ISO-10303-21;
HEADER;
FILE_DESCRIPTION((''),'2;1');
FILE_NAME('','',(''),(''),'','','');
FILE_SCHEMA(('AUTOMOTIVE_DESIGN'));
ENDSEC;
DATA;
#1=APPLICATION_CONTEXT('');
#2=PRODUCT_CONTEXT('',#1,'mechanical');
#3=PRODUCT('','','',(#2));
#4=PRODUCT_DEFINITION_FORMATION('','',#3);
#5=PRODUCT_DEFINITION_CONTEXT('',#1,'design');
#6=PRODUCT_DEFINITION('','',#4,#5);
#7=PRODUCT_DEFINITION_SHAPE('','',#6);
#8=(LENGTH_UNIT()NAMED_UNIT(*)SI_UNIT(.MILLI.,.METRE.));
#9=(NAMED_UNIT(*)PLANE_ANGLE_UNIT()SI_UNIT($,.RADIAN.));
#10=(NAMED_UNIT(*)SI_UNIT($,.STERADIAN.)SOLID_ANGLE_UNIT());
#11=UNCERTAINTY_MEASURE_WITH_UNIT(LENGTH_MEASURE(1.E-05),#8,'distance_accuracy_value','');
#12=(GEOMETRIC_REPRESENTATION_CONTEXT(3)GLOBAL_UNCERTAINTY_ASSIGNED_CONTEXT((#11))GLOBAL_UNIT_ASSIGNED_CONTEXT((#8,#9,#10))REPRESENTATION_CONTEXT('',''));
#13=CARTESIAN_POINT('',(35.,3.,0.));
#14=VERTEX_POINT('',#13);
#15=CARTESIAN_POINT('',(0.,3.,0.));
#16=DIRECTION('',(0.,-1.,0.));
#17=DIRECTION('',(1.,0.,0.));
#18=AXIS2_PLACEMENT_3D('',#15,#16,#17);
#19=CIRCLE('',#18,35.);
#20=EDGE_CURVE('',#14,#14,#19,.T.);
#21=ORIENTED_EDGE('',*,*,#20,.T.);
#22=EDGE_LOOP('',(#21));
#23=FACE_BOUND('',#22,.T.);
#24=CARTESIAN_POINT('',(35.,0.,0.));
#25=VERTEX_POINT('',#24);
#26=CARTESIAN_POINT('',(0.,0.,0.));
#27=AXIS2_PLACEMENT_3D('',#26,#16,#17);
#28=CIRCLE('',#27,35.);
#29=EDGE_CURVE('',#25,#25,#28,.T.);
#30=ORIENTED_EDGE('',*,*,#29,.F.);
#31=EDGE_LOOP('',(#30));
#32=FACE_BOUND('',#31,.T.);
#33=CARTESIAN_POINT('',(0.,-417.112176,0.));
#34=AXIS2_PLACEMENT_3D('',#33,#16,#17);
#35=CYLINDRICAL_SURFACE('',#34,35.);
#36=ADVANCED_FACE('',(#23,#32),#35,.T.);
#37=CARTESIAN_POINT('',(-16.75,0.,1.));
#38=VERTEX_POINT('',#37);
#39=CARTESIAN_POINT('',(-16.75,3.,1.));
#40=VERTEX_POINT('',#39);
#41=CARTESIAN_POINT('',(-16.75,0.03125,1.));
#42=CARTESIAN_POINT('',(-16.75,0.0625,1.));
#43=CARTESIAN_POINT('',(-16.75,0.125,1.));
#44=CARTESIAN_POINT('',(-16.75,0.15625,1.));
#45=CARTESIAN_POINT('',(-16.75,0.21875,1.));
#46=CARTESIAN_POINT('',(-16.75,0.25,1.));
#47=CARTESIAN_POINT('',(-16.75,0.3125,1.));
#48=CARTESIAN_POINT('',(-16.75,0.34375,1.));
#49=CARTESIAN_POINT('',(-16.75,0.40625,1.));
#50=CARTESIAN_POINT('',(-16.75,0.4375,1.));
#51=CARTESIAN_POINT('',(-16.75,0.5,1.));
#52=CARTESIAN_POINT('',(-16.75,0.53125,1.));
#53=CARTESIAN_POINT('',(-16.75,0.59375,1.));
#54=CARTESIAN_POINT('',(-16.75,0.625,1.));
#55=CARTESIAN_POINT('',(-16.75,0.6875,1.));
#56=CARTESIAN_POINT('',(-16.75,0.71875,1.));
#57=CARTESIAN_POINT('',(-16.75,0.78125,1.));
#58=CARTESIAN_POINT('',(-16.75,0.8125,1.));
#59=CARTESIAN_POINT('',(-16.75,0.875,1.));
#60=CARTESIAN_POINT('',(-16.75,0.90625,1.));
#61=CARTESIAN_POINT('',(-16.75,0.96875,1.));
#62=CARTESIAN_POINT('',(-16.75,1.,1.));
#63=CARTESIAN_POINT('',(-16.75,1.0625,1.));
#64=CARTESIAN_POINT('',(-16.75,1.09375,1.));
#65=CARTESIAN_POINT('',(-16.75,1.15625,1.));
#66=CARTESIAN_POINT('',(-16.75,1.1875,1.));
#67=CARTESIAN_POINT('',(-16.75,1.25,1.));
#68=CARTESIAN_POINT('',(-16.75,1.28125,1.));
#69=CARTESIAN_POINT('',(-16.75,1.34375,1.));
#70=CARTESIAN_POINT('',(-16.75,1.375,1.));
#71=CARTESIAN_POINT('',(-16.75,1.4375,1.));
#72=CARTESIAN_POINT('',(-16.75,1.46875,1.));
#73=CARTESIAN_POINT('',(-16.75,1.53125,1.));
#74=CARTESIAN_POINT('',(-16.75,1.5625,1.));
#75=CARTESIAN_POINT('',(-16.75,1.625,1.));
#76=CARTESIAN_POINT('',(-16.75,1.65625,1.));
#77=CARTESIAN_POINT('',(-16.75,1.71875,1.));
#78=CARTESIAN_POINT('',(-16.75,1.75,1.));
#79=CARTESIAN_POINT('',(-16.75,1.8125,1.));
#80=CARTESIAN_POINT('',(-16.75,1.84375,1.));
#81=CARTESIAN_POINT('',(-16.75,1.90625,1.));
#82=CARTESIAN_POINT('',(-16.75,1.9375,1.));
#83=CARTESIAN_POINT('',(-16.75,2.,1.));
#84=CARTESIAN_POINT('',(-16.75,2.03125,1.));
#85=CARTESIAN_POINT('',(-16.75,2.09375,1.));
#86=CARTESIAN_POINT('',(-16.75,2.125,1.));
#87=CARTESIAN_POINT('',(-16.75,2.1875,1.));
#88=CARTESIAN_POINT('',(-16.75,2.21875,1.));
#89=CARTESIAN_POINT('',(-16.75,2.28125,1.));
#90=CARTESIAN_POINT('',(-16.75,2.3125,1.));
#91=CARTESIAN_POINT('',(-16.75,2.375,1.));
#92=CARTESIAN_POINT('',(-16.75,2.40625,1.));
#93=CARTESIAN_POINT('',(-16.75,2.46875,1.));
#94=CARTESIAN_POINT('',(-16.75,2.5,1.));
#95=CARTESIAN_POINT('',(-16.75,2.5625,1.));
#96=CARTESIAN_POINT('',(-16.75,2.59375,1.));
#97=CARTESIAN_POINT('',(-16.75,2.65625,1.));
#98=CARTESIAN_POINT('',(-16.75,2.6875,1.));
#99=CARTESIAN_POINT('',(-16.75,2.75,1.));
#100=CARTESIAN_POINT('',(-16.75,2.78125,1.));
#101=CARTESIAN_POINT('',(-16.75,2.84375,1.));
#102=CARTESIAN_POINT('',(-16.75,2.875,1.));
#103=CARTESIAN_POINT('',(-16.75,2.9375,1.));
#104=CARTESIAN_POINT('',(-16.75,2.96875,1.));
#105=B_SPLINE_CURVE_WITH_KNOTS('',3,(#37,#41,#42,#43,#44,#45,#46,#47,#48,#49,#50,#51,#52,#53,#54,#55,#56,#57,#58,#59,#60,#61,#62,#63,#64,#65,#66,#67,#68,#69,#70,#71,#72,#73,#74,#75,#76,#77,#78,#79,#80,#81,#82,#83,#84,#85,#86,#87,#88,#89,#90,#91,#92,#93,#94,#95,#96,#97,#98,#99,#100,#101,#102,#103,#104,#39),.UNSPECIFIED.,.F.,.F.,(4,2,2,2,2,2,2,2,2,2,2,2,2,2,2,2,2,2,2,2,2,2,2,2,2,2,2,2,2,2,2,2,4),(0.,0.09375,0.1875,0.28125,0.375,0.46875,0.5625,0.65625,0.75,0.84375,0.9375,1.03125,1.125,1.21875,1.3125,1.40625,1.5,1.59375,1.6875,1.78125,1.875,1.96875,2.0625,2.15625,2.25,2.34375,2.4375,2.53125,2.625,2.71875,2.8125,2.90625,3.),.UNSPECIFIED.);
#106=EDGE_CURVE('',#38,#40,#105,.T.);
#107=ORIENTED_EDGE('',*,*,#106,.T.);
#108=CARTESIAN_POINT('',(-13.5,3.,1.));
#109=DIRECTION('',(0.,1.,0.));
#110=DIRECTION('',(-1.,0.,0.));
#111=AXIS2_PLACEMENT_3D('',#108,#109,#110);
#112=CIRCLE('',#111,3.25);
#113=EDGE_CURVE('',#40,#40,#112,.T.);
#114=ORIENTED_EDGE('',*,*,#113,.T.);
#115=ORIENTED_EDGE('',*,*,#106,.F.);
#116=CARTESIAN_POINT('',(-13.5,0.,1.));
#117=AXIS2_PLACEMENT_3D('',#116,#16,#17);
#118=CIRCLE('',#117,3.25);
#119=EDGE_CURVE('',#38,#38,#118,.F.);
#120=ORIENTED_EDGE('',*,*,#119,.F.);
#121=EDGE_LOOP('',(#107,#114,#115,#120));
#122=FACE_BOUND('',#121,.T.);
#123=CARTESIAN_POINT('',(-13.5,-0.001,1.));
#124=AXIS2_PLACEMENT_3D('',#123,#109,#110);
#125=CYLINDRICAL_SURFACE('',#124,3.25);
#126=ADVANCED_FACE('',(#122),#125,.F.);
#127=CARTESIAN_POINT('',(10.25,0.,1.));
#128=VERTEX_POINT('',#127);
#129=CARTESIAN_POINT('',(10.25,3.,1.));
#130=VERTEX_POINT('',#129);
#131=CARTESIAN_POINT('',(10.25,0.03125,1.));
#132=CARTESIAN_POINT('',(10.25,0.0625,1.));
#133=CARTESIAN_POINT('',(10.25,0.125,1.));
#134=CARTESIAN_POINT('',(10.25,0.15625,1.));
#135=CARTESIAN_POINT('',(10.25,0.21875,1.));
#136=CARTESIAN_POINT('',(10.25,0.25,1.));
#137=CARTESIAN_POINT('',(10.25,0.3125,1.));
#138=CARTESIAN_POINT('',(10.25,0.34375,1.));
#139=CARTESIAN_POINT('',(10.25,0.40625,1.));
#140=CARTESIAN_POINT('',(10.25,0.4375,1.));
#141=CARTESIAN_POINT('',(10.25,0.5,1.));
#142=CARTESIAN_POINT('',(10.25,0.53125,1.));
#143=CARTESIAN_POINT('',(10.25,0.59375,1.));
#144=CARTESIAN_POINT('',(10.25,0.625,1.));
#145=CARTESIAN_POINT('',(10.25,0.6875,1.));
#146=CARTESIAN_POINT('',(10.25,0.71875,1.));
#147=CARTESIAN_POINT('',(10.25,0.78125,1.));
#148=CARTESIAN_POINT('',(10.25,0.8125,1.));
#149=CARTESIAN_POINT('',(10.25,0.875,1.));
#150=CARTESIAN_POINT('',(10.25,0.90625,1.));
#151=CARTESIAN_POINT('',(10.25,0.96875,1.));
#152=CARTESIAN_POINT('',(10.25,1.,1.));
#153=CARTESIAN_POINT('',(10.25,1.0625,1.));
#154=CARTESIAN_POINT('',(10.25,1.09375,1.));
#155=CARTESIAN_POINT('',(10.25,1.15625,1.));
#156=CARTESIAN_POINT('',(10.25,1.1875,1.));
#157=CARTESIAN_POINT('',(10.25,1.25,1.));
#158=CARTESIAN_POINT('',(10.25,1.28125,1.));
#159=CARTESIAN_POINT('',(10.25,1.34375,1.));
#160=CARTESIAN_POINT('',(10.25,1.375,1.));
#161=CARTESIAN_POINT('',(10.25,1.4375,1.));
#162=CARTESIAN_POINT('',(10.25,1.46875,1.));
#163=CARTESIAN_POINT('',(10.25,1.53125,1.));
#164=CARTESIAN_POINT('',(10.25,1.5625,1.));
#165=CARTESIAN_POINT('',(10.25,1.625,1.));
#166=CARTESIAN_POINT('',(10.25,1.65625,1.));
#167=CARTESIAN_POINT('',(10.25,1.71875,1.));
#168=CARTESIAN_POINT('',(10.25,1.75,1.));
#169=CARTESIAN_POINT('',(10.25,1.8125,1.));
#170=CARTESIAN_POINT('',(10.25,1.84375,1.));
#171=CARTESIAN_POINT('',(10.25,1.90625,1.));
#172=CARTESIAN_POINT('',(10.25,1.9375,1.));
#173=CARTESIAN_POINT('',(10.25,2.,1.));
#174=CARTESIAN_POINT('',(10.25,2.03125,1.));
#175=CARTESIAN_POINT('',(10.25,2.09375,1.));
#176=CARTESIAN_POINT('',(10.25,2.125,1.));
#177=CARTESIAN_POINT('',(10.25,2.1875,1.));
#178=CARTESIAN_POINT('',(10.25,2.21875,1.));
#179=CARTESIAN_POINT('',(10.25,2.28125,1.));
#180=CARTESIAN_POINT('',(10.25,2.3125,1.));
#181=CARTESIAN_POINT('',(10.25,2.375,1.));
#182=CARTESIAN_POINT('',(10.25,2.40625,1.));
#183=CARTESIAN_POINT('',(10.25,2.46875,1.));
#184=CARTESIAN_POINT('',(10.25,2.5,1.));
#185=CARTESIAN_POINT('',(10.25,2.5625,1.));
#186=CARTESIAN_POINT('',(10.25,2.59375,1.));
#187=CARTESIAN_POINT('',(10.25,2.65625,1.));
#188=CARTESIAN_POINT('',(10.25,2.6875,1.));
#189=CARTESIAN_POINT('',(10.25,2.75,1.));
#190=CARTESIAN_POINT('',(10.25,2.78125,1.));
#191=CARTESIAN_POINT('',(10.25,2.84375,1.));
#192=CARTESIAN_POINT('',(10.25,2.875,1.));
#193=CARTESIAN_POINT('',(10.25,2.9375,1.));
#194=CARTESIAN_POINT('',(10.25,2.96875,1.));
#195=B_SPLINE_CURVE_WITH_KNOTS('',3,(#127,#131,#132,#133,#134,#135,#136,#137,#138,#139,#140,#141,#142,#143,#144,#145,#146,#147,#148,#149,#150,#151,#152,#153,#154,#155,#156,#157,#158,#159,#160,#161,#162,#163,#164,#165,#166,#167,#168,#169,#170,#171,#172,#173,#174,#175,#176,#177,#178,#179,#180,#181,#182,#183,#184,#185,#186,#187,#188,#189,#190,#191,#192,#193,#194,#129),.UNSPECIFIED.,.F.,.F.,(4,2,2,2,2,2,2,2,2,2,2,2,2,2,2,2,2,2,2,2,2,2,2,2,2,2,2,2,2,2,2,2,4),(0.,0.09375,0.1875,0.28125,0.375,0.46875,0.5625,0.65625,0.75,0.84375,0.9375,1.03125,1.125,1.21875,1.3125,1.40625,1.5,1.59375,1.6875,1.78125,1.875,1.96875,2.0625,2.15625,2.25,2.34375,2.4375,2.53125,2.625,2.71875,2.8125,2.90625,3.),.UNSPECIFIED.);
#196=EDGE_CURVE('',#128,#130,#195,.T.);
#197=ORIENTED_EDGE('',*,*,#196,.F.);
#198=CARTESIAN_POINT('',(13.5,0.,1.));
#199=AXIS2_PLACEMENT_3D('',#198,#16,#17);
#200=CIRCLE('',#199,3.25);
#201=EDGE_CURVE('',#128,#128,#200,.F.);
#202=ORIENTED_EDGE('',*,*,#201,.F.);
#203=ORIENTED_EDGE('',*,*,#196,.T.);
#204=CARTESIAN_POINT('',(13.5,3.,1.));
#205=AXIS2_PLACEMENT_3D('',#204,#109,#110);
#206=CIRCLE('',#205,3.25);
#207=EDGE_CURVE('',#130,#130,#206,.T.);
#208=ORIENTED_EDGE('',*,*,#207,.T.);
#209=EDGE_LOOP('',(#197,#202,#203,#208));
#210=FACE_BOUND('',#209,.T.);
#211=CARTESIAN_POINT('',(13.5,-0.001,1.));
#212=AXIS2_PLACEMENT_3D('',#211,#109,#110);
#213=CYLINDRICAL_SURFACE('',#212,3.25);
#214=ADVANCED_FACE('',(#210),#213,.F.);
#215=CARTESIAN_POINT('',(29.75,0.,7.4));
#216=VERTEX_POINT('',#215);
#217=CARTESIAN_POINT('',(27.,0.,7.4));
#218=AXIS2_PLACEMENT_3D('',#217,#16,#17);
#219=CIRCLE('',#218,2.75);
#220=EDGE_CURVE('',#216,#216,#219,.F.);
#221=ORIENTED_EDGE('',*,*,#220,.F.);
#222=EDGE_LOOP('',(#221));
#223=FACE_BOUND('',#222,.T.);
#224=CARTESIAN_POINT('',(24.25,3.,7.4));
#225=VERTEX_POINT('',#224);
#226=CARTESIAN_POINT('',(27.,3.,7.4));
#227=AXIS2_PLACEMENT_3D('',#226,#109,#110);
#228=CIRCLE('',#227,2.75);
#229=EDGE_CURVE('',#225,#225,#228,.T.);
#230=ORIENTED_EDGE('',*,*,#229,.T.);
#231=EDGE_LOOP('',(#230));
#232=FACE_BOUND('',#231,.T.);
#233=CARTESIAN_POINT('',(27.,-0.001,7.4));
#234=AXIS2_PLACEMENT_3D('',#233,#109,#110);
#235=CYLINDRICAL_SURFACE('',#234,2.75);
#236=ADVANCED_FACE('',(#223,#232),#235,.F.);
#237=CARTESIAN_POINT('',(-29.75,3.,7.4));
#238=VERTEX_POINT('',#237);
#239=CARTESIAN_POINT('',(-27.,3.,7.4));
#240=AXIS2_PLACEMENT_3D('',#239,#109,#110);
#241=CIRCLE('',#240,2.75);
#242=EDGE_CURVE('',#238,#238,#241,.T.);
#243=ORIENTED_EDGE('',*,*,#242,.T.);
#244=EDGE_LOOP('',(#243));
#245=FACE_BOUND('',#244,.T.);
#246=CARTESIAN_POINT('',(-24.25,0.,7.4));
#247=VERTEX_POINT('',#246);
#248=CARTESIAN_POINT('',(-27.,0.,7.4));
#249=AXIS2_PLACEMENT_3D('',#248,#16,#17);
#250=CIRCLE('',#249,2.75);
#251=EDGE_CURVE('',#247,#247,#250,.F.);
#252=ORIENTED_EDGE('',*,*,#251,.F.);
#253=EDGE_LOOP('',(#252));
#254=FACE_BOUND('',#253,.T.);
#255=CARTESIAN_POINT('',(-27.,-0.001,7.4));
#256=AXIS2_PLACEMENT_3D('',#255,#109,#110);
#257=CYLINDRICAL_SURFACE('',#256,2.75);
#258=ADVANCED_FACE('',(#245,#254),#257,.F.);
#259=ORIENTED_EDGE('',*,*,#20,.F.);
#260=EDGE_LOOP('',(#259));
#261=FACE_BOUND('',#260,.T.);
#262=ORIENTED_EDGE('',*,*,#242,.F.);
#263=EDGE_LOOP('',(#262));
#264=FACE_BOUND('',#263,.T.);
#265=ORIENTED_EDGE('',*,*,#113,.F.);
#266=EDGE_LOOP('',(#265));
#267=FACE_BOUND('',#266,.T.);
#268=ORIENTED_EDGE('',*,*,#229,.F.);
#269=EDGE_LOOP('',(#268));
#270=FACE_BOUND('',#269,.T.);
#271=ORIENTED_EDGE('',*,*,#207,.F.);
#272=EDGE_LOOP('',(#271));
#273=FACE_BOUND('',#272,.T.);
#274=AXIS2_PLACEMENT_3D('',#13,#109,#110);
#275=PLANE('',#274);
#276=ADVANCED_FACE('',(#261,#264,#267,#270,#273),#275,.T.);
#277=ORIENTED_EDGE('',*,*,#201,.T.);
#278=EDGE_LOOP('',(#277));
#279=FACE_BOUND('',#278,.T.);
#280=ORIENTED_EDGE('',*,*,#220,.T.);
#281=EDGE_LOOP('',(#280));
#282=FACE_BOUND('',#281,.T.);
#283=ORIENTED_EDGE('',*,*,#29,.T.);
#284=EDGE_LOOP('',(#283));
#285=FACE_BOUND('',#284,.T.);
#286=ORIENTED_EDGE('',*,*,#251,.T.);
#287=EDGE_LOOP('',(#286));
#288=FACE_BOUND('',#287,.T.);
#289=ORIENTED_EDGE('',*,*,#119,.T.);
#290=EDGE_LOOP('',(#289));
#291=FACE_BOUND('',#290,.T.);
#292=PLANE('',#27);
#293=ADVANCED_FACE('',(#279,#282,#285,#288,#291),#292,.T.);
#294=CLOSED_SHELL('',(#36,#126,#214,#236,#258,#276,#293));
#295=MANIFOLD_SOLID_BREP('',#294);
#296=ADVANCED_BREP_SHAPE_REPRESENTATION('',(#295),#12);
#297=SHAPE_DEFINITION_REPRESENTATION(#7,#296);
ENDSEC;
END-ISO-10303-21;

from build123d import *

# Parameters (mm, degrees)
SKETCH2_W          = 35
SKETCH2_H          = 3
CUT_EXTRUDE1_REACH = 51.588
SKETCH3_R          = 3.25
CUT_EXTRUDE2_REACH = 51.588
SKETCH4_R          = 2.75


with BuildPart() as part:
    # Sketch2 → Revolve1 (revolve)
    with BuildSketch(Plane.XY):
        with Locations((17.5, 1.5)):
            Rectangle(SKETCH2_W, SKETCH2_H)
    revolve(axis=Axis((0, -417.112175525, 0), (0, 1, 0)))

    # Sketch3 → Cut-Extrude1 (cut, up to next)
    with BuildSketch(Plane(origin=(0, 3, 0), x_dir=(1, 0, 0), z_dir=(0, 1, 0)), mode=Mode.PRIVATE) as cut_extrude1_sk1:
        with Locations(Location((-13.5, -1, 0), (0, 0, 180))):
            Circle(SKETCH3_R)
    cut_extrude1_tool1 = extrude(cut_extrude1_sk1.sketch, amount=-CUT_EXTRUDE1_REACH, mode=Mode.PRIVATE) & part.part
    # Sketch3 → Cut-Extrude1 (cut, up to next)
    with BuildSketch(Plane(origin=(0, 3, 0), x_dir=(1, 0, 0), z_dir=(0, 1, 0)), mode=Mode.PRIVATE) as cut_extrude1_sk2:
        with Locations(Location((13.5, -1, 0), (0, 0, 180))):
            Circle(SKETCH3_R)
    cut_extrude1_tool2 = extrude(cut_extrude1_sk2.sketch, amount=-CUT_EXTRUDE1_REACH, mode=Mode.PRIVATE) & part.part
    add(cut_extrude1_tool1.solids().sort_by_distance((-13.5, 3, 1))[0], mode=Mode.SUBTRACT)
    add(cut_extrude1_tool2.solids().sort_by_distance((13.5, 3, 1))[0], mode=Mode.SUBTRACT)

    # Sketch4 → Cut-Extrude2 (cut, up to next)
    with BuildSketch(Plane(origin=(0, 3, 0), x_dir=(1, 0, 0), z_dir=(0, 1, 0)), mode=Mode.PRIVATE) as cut_extrude2_sk1:
        with Locations(Location((-27, -7.4, 0), (0, 0, 180))):
            Circle(SKETCH4_R)
    cut_extrude2_tool1 = extrude(cut_extrude2_sk1.sketch, amount=-CUT_EXTRUDE2_REACH, mode=Mode.PRIVATE) & part.part
    # Sketch4 → Cut-Extrude2 (cut, up to next)
    with BuildSketch(Plane(origin=(0, 3, 0), x_dir=(1, 0, 0), z_dir=(0, 1, 0)), mode=Mode.PRIVATE) as cut_extrude2_sk2:
        with Locations(Location((27, -7.4, 0), (0, 0, 180))):
            Circle(SKETCH4_R)
    cut_extrude2_tool2 = extrude(cut_extrude2_sk2.sketch, amount=-CUT_EXTRUDE2_REACH, mode=Mode.PRIVATE) & part.part
    add(cut_extrude2_tool1.solids().sort_by_distance((-27, 3, 7.4))[0], mode=Mode.SUBTRACT)
    add(cut_extrude2_tool2.solids().sort_by_distance((27, 3, 7.4))[0], mode=Mode.SUBTRACT)


solid = part.part
